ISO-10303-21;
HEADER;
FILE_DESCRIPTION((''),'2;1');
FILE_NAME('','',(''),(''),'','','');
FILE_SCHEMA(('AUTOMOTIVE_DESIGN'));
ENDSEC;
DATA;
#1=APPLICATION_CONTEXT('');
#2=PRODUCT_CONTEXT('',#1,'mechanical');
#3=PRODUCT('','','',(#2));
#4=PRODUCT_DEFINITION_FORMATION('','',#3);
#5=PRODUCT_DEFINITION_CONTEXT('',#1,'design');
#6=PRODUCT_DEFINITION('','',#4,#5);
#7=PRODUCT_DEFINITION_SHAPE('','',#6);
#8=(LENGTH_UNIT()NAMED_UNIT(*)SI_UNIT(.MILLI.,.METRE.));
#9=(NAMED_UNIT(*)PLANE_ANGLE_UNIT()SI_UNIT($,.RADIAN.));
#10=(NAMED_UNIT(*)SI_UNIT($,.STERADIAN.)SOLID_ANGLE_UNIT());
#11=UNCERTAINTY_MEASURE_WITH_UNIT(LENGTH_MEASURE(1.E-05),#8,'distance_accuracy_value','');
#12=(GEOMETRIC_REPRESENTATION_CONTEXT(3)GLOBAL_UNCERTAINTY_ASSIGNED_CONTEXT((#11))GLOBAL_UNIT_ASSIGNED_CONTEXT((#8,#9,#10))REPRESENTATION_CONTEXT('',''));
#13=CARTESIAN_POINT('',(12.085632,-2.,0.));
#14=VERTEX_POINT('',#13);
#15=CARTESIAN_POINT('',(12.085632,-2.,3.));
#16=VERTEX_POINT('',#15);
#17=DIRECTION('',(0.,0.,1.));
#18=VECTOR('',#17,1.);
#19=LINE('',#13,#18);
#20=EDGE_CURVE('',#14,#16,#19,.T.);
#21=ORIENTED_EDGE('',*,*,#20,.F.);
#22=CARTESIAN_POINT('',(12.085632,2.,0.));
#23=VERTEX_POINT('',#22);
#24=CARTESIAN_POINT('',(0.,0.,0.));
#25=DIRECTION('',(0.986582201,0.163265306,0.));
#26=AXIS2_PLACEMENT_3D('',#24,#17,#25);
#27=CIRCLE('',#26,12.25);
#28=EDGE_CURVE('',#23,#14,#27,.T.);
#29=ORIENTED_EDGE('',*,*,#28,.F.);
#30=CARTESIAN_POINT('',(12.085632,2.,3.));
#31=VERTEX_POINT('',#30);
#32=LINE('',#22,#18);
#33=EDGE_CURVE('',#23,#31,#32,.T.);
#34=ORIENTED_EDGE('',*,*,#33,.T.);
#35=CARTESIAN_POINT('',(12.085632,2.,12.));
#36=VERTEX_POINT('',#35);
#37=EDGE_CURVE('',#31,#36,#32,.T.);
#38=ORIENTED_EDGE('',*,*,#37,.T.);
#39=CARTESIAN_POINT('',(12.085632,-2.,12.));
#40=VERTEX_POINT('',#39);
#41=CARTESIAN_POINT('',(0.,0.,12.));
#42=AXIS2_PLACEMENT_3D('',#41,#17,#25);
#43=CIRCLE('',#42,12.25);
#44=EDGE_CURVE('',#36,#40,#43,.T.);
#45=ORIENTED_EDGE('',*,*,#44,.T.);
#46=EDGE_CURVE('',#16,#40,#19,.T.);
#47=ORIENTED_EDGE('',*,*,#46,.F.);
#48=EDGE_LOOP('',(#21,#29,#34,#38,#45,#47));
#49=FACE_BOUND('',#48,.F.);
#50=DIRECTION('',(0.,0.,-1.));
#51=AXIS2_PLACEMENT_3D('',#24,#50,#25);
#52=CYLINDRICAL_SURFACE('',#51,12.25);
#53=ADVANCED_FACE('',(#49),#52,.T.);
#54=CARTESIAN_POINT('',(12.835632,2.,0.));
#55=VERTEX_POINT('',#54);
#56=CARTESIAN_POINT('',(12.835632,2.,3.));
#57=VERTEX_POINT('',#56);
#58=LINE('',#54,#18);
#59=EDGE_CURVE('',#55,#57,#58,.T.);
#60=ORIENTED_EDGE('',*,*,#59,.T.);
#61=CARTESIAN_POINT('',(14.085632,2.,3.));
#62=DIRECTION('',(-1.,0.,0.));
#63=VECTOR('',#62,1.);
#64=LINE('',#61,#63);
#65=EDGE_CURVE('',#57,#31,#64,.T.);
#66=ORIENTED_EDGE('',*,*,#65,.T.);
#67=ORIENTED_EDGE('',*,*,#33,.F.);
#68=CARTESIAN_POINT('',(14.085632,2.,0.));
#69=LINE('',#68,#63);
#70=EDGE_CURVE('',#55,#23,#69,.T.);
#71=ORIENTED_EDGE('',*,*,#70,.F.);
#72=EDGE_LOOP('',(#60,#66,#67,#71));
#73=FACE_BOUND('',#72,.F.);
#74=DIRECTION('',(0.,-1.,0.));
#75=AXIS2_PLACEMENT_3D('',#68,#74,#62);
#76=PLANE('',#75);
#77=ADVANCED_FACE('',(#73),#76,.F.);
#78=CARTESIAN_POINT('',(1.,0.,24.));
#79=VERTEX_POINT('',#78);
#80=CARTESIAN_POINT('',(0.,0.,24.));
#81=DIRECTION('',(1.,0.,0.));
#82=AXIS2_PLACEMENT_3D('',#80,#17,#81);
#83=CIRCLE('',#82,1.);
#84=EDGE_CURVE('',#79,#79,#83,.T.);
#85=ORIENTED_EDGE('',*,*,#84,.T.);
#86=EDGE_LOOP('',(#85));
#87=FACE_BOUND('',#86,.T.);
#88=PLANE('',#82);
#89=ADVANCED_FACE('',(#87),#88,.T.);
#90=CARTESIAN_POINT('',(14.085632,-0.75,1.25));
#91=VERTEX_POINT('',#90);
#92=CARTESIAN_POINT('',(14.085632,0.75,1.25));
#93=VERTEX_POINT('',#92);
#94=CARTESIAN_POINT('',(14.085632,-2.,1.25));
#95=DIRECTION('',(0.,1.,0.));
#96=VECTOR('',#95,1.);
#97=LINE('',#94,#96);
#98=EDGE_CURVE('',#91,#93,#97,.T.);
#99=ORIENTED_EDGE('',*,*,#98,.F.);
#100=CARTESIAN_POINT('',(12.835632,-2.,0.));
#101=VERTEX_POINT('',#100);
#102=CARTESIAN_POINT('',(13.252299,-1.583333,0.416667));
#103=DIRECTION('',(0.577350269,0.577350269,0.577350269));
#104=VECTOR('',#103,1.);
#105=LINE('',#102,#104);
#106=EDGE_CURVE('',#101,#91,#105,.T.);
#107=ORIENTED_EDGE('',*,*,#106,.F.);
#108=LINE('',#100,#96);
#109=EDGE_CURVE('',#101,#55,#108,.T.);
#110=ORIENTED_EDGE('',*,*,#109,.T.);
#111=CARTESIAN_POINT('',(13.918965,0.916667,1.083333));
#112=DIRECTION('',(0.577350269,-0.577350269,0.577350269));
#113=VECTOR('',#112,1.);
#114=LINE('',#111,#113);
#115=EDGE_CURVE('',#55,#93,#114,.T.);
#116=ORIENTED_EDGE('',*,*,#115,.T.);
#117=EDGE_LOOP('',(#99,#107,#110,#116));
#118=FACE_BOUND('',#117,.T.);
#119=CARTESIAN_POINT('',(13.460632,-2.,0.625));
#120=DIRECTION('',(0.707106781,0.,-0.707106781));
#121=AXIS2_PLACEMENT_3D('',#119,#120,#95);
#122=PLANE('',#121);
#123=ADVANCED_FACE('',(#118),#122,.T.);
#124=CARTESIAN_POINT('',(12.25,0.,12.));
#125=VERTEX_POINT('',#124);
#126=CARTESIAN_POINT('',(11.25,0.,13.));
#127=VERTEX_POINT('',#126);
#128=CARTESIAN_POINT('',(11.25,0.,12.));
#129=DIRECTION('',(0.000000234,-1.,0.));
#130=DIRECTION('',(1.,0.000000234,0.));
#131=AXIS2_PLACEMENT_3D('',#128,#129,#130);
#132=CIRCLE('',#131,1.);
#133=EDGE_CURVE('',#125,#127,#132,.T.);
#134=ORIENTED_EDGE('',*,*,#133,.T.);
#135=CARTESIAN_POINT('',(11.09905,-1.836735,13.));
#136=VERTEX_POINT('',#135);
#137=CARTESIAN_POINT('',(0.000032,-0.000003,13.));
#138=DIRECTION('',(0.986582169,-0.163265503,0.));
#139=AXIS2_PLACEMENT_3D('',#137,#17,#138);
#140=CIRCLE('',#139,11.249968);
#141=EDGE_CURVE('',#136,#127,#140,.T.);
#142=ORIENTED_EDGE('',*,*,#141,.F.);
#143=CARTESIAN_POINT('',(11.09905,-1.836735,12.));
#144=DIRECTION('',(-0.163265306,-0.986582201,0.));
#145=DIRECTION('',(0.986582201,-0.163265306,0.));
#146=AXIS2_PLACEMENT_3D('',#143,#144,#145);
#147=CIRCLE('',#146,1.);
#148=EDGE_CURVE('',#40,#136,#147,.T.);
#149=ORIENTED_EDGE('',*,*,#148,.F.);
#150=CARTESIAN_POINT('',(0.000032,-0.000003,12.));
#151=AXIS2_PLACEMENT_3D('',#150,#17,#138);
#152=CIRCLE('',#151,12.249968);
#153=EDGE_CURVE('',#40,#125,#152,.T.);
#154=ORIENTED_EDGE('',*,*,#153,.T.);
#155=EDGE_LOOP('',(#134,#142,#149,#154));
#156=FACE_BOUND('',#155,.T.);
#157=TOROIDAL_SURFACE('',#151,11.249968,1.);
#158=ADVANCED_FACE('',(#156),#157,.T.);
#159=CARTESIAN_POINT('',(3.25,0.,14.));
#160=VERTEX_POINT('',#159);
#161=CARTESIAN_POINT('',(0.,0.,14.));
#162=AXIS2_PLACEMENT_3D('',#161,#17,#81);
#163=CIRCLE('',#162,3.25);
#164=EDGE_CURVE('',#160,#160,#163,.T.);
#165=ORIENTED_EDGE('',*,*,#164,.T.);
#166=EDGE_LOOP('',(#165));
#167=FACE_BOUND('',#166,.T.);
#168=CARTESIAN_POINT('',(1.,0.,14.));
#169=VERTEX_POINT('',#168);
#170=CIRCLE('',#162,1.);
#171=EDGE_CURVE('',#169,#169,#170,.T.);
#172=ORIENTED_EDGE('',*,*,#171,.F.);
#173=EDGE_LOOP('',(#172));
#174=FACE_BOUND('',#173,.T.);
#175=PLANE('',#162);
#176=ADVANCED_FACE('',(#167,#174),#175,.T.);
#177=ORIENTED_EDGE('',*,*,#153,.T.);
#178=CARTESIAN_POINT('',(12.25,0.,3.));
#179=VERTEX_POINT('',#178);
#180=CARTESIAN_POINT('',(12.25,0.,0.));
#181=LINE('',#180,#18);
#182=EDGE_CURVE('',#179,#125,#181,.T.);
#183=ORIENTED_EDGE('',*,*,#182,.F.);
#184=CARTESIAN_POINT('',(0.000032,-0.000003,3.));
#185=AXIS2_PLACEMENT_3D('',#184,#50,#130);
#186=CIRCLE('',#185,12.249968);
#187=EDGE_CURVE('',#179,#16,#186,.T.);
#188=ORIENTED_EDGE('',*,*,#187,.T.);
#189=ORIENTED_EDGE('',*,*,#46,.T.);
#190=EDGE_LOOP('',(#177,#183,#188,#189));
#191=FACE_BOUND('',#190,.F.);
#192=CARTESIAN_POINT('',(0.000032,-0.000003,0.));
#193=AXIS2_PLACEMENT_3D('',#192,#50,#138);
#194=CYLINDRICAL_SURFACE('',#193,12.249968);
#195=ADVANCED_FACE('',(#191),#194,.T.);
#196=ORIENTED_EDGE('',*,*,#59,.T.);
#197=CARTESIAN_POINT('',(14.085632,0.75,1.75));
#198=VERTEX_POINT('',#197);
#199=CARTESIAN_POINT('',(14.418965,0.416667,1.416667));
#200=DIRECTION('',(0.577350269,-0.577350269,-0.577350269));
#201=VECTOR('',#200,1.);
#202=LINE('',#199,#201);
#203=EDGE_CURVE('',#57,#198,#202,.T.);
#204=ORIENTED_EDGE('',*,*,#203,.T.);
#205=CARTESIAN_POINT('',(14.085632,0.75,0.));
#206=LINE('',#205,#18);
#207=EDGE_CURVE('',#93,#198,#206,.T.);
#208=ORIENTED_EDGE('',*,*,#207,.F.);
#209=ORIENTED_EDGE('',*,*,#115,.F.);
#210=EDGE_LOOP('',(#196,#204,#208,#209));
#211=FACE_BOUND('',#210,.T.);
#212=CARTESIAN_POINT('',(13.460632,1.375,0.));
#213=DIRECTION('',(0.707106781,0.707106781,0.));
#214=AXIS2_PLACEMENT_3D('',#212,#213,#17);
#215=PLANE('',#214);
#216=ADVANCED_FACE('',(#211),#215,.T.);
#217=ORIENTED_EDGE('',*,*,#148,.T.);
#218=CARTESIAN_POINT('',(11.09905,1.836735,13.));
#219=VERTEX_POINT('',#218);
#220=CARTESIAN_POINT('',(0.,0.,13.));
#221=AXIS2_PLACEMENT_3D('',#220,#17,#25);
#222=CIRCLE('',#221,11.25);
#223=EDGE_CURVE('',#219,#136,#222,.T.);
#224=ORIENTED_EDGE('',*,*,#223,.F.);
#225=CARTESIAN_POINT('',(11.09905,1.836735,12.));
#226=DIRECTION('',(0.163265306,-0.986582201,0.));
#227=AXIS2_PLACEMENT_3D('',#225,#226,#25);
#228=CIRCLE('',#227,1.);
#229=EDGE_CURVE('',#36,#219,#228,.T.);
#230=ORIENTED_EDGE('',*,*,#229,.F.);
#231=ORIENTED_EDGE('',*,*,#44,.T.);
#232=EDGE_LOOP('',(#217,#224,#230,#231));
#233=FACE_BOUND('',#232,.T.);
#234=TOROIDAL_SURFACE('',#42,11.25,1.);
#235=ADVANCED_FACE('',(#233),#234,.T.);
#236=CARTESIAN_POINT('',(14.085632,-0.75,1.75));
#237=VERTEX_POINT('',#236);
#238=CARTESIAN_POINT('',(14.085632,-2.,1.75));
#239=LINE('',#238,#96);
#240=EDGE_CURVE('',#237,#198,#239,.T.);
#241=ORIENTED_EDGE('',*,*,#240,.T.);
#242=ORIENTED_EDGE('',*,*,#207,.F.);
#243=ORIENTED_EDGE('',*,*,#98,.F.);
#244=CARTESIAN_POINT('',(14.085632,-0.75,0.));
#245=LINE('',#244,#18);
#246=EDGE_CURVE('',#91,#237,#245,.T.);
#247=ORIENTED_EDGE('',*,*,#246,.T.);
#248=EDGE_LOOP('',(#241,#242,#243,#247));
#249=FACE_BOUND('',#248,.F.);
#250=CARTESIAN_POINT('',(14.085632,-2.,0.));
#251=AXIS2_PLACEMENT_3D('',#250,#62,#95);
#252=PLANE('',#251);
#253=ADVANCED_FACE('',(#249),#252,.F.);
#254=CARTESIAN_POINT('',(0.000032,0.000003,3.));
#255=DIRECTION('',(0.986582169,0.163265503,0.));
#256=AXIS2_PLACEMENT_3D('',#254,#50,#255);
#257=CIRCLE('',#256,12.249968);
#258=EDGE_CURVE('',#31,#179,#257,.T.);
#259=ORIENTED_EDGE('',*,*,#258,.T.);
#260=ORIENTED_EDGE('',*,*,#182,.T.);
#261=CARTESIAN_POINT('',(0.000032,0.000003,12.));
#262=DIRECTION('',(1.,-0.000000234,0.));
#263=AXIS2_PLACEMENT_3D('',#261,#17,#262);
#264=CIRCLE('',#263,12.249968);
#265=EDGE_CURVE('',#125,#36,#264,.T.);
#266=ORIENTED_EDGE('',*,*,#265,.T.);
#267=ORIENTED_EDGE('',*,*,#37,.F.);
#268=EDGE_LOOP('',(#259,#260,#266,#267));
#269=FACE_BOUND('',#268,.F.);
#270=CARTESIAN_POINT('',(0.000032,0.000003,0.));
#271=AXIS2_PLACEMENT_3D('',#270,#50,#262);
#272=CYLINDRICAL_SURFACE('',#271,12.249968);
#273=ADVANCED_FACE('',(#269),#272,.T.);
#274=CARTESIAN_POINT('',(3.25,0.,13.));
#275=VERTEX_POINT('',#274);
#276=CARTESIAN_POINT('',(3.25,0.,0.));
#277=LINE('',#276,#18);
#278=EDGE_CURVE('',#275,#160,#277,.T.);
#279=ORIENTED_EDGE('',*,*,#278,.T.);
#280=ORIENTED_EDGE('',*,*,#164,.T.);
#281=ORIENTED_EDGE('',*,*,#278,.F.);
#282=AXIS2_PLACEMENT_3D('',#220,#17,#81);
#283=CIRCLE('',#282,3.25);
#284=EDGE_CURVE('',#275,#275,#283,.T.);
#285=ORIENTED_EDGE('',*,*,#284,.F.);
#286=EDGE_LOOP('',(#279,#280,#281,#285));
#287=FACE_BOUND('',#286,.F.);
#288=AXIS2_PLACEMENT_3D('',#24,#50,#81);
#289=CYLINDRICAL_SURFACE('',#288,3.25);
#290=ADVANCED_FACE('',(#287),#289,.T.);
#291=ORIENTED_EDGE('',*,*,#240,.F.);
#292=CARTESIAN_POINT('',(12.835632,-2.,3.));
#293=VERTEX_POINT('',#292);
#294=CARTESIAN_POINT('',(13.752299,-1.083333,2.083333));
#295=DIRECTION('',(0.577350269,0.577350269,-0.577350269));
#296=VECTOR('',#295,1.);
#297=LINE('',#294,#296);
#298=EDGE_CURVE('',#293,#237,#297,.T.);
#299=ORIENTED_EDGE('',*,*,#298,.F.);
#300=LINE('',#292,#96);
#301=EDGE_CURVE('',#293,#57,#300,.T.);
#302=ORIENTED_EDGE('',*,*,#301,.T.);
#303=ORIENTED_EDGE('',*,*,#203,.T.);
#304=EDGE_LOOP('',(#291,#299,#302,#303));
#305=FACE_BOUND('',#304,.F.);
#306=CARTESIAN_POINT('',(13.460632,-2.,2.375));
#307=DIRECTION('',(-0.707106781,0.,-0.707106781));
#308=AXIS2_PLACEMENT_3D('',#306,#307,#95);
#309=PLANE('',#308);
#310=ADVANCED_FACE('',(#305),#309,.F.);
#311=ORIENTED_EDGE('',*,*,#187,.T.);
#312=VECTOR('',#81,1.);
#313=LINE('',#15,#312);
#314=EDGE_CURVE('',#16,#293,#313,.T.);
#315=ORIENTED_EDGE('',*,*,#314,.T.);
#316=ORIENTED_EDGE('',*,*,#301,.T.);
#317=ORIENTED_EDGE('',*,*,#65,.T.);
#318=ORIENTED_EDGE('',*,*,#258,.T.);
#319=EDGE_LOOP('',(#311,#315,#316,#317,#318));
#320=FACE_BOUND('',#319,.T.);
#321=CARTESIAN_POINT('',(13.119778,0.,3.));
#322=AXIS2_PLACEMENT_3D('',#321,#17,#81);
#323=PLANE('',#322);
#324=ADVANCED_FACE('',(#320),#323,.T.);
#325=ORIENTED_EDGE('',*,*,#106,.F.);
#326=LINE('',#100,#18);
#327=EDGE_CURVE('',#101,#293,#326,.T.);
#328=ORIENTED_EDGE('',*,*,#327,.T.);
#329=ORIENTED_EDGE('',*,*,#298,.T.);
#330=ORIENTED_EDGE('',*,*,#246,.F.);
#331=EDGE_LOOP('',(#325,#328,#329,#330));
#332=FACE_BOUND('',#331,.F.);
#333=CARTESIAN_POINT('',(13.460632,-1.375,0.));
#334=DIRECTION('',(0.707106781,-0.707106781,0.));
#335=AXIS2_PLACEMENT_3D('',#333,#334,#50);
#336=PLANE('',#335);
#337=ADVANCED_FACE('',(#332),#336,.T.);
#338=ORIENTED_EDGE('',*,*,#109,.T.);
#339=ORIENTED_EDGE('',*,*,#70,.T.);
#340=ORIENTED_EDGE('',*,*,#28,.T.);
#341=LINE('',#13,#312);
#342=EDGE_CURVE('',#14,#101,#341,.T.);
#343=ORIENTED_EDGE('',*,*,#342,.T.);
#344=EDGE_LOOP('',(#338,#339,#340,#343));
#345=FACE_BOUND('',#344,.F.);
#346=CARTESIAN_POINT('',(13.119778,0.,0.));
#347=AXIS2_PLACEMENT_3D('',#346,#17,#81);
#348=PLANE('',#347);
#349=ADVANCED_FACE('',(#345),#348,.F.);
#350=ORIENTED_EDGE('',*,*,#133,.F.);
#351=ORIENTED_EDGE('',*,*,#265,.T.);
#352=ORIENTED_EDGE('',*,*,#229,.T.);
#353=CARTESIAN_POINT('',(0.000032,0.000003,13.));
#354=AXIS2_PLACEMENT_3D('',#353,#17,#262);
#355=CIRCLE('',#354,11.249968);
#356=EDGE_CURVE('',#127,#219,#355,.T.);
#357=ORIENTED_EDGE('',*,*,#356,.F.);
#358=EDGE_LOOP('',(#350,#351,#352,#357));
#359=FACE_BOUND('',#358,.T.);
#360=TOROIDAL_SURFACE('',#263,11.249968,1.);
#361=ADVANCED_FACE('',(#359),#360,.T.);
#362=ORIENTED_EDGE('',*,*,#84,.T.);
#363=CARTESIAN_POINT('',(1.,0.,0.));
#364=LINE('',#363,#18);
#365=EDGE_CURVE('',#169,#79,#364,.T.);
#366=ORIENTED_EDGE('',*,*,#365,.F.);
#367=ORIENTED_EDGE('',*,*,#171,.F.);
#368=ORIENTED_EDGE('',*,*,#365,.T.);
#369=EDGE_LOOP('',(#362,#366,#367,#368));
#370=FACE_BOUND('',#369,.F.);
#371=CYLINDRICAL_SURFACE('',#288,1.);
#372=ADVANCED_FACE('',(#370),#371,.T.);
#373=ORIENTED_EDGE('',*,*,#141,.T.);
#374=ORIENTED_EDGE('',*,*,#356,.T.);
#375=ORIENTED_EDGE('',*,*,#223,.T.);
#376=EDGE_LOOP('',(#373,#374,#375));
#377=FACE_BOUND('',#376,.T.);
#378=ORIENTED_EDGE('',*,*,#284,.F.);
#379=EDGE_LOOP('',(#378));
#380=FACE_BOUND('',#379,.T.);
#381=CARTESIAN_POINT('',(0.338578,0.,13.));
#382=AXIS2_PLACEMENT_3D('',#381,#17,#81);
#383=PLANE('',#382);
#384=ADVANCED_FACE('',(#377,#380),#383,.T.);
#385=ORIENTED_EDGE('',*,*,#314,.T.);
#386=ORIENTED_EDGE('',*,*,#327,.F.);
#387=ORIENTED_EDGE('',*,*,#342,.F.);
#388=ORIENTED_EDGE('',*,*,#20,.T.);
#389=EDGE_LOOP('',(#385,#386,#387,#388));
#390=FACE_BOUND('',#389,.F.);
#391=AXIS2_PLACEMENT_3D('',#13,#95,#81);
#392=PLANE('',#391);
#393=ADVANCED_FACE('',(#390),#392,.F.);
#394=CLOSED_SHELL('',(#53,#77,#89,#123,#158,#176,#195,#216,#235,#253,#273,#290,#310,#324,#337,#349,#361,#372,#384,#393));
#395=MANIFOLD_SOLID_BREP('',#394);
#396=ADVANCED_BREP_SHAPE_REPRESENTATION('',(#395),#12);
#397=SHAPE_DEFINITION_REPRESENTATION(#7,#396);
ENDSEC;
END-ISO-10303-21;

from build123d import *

# Parameters (mm, degrees)
F0_R     = 3.25
F1_DEPTH = 13
F0_R_2   = 1
F2_DEPTH = 14
F3_DEPTH = 24
F4_DEPTH = 3
F5_R     = 1
F6_SIZE  = 1.25


with BuildPart() as f1:
    # F0 (on Top) → F1 (new body)
    with BuildSketch(Plane.XY):
        with BuildLine():
            ThreePointArc((12.085632, -2), (12.208839, -1.003371), (12.25, 0))
            ThreePointArc((12.25, 0), (12.208839, 1.003371), (12.085632, 2))
            ThreePointArc((12.085632, 2), (-12.25, 0), (12.085632, -2))
        make_face()
        Circle(F0_R, mode=Mode.SUBTRACT)
    extrude(amount=F1_DEPTH)

    # F0 (on Top) → F2 (join)
    with BuildSketch(Plane.XY):
        Circle(F0_R)
        Circle(F0_R_2, mode=Mode.SUBTRACT)
    extrude(amount=F2_DEPTH)

    # F0 (on Top) → F3 (join)
    with BuildSketch(Plane.XY):
        Circle(F0_R_2)
    extrude(amount=F3_DEPTH)

    # F0 (on Top) → F4 (join)
    with BuildSketch(Plane.XY):
        with BuildLine():
            ThreePointArc((12.085632, 2), (12.208839, 1.003371), (12.25, 0))
            ThreePointArc((12.25, 0), (12.208839, -1.003371), (12.085632, -2))
            Line((12.085632, -2), (14.085632, -2))
            Line((14.085632, -2), (14.085632, 2))
            Line((14.085632, 2), (12.085632, 2))
        make_face()
    extrude(amount=F4_DEPTH)

    # F5
    f5_edges = [f1.edges().sort_by_distance(p)[0] for p in [
        (-12.085632, 2, 13),
    ]]
    fillet(f5_edges, radius=F5_R)

    # F6
    f6_edges = [f1.edges().sort_by_distance(p)[0] for p in [
        (14.085632, -2, 1.5),
        (14.085632, 2, 1.5),
        (14.085632, 0, 0),
        (14.085632, 0, 3),
    ]]
    chamfer(f6_edges, length=F6_SIZE)


solid = f1.part
